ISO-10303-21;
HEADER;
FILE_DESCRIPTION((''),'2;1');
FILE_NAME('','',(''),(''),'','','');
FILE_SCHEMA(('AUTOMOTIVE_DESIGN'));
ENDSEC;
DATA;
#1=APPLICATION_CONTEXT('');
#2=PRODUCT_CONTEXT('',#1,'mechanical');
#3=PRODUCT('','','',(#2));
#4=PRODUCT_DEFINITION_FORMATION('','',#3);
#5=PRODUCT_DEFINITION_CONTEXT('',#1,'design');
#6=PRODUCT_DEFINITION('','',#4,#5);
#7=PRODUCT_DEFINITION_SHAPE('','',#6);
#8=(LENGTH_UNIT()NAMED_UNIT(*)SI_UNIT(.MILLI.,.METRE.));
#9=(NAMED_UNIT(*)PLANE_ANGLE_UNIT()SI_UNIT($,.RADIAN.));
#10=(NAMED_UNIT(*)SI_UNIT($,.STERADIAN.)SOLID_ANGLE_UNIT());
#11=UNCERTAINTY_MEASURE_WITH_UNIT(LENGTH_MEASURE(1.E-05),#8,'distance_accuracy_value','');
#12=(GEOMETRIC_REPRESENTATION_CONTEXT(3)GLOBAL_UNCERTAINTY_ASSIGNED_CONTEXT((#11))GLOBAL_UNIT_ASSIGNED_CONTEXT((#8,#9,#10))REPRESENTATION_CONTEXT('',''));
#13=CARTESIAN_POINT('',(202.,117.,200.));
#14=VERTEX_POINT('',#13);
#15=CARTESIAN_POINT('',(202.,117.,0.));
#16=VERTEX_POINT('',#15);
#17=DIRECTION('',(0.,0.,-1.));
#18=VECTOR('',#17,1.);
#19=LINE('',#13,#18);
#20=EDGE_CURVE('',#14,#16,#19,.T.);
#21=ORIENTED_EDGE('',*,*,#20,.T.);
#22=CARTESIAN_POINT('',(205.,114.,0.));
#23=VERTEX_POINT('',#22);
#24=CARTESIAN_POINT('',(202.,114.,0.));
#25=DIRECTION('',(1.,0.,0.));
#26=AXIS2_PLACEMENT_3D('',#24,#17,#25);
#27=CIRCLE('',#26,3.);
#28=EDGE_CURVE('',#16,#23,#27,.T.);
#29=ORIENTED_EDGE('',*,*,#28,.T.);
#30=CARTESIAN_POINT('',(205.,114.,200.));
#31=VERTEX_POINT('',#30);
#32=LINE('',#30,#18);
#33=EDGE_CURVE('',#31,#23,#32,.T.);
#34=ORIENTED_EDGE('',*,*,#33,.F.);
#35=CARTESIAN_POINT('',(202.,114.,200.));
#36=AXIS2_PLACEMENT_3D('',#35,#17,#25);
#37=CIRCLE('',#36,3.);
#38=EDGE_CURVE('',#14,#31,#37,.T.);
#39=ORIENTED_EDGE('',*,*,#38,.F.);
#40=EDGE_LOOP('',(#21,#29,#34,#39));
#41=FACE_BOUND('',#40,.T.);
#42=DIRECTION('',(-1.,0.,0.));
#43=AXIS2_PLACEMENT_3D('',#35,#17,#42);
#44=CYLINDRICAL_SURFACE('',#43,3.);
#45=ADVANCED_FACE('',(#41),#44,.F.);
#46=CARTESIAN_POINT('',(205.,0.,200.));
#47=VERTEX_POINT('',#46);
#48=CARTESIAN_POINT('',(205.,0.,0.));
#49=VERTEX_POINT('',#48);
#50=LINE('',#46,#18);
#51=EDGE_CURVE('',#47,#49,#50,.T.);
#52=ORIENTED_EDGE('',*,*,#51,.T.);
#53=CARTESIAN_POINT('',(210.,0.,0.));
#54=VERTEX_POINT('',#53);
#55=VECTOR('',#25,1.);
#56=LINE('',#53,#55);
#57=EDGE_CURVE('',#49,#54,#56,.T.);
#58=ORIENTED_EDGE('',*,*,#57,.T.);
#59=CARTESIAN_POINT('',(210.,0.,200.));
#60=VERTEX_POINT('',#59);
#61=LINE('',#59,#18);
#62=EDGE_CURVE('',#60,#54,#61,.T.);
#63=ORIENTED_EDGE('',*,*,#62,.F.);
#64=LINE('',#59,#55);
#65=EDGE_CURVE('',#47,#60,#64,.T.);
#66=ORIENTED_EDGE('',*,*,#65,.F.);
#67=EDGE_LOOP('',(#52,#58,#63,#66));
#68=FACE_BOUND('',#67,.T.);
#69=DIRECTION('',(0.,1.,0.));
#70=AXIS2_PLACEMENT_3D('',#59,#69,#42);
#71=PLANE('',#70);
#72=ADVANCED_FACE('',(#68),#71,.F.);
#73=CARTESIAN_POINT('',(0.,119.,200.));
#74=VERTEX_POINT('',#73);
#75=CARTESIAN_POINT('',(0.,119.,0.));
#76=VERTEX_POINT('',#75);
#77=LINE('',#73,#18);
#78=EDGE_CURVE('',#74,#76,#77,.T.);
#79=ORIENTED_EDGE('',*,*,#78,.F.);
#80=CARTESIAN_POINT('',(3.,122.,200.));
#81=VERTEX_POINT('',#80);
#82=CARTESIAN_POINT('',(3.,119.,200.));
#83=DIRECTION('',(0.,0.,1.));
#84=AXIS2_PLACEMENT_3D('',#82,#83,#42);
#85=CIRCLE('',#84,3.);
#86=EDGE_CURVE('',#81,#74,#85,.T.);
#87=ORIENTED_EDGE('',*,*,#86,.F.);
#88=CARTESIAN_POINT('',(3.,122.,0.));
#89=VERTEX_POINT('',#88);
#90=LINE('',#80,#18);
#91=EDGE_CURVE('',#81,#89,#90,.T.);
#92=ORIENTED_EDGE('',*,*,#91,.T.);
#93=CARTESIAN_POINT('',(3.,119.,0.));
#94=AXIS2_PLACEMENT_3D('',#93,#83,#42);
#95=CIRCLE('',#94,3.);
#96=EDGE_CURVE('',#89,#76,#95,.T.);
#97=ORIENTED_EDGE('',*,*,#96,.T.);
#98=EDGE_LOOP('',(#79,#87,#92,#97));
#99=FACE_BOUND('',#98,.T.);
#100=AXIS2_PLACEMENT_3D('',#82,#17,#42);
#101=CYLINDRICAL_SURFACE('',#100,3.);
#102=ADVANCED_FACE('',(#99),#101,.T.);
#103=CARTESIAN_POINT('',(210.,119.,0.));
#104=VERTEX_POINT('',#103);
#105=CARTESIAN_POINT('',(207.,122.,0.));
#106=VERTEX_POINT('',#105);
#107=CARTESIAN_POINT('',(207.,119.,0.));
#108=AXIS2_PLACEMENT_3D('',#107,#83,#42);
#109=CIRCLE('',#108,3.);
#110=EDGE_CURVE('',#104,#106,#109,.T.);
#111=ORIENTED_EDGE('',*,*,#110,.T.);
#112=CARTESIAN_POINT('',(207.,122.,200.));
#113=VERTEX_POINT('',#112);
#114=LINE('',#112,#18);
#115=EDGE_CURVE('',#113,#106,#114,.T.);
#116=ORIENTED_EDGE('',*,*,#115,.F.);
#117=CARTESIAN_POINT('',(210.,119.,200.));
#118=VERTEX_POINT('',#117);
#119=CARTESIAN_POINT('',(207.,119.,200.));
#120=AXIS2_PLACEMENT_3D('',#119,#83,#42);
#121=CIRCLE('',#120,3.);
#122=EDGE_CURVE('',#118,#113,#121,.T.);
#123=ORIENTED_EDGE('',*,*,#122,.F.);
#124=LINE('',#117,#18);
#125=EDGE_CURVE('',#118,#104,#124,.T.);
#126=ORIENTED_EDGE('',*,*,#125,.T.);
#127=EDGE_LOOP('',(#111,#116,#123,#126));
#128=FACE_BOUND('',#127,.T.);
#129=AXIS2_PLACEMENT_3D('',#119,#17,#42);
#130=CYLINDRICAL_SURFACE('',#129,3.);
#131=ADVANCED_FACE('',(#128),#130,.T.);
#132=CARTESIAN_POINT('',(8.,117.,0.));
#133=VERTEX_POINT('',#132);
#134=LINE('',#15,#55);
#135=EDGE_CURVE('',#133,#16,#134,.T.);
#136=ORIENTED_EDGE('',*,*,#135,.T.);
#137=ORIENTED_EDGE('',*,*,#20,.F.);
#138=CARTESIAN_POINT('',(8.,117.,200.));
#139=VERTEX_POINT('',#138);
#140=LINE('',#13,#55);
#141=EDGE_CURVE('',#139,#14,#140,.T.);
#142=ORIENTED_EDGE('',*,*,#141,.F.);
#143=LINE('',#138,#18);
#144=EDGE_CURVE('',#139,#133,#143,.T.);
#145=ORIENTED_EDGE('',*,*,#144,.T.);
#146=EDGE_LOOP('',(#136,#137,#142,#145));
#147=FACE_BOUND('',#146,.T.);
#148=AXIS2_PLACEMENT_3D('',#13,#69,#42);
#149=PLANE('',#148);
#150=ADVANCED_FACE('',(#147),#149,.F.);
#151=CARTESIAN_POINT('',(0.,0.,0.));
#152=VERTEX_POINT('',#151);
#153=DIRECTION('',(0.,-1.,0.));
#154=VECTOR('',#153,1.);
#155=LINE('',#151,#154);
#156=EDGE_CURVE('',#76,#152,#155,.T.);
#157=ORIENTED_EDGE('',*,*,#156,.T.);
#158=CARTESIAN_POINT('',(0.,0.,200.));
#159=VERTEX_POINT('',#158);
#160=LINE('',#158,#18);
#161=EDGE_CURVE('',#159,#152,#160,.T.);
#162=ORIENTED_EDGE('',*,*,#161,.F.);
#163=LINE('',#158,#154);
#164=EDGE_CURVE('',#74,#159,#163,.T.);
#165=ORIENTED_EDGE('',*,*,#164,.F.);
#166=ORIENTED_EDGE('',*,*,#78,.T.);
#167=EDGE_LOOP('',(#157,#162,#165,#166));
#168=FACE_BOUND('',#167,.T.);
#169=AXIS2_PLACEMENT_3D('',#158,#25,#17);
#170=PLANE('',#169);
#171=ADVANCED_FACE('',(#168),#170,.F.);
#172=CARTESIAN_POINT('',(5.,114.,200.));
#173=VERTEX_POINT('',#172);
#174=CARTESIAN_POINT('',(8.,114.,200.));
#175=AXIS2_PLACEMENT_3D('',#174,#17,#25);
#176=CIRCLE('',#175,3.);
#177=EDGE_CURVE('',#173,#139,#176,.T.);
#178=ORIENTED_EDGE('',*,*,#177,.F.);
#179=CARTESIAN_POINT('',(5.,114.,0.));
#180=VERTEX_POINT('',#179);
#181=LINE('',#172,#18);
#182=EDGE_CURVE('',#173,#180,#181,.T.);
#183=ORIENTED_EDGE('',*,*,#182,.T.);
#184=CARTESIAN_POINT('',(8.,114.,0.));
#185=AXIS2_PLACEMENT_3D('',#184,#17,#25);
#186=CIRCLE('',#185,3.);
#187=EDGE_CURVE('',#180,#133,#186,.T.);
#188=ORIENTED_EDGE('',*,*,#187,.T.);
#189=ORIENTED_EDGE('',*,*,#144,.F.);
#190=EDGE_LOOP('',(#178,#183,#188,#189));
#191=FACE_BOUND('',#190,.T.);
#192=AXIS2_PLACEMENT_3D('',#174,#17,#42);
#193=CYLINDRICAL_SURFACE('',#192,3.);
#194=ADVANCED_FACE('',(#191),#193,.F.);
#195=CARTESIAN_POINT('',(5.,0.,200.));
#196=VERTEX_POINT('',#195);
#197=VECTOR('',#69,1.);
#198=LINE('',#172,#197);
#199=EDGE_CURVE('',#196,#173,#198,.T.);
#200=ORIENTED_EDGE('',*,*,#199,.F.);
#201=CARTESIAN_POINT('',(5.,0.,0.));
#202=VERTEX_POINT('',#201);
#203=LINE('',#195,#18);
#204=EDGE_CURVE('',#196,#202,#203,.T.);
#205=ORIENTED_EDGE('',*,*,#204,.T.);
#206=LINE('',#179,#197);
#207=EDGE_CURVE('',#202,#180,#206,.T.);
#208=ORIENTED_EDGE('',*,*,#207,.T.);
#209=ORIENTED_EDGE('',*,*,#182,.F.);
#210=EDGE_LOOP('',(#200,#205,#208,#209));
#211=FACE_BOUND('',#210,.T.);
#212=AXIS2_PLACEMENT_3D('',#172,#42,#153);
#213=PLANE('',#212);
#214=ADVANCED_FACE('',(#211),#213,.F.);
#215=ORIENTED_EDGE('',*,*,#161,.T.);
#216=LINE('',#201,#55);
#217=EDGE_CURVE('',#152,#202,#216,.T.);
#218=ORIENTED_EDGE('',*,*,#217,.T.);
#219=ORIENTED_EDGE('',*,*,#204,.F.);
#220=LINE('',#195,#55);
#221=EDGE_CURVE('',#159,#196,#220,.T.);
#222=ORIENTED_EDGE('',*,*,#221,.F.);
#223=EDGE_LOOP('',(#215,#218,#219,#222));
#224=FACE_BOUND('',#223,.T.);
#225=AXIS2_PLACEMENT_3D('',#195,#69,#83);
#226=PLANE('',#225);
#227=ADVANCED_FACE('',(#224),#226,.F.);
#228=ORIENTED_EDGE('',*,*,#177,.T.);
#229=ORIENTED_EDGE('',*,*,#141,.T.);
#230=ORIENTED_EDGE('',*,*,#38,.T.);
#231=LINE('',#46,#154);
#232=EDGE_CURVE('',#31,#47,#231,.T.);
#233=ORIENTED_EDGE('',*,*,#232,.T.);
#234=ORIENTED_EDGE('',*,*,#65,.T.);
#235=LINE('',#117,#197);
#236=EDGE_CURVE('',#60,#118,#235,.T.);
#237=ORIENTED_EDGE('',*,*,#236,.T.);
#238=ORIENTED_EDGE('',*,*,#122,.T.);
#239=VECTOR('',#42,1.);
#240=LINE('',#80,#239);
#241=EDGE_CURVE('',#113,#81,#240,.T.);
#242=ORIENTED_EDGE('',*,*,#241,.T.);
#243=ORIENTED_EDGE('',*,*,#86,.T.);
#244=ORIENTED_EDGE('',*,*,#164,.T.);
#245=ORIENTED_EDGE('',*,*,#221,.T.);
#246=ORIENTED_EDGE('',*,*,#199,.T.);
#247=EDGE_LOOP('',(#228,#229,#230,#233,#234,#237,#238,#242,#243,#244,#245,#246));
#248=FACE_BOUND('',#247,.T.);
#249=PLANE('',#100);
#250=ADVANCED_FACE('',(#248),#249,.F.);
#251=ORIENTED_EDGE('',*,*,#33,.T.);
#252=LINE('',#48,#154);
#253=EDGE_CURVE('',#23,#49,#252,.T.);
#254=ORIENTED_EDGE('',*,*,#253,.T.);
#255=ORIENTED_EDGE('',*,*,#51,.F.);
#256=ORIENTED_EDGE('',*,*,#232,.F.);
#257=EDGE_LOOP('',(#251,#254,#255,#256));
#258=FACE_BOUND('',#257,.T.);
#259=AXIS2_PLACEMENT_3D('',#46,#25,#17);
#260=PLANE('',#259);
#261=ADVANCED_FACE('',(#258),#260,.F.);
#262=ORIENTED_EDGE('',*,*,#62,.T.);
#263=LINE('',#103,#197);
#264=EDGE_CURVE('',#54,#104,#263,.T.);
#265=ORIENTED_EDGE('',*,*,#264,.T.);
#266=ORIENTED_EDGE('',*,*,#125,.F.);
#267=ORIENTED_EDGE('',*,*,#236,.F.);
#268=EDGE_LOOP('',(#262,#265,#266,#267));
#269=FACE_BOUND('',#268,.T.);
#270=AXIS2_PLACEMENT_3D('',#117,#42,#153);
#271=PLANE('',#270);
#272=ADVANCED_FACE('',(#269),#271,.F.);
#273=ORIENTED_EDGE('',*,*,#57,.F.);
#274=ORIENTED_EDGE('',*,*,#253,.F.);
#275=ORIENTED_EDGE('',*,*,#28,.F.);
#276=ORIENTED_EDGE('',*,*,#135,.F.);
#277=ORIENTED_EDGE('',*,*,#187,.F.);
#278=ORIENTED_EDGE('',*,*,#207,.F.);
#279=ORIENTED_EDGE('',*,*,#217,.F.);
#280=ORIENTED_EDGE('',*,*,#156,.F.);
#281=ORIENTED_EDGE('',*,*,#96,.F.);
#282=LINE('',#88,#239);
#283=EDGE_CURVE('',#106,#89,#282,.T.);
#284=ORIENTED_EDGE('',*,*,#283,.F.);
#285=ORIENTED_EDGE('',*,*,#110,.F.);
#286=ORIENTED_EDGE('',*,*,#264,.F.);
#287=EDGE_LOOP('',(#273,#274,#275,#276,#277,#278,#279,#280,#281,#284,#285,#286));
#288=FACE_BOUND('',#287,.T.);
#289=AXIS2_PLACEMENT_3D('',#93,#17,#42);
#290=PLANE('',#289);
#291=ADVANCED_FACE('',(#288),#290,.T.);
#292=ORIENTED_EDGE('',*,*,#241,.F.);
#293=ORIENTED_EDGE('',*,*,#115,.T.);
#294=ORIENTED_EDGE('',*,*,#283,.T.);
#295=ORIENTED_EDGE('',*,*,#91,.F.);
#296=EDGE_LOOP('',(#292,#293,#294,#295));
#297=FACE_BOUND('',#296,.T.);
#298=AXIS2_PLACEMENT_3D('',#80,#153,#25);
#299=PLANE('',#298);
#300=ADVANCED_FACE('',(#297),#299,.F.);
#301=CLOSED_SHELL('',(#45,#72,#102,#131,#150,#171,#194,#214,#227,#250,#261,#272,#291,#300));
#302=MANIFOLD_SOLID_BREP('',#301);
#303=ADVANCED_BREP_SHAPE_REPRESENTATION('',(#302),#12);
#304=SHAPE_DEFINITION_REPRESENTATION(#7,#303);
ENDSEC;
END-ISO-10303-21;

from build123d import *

# Parameters (mm, degrees)
BOSS_EXTRUDE1_DEPTH = 200


with BuildPart() as part:
    # Sketch1 → Boss-Extrude1 (new body)
    with BuildSketch(Plane.XY):
        with BuildLine():
            Line((0, 0), (0, 119))
            ThreePointArc((0, 119), (0.878679656, 121.121320344), (3, 122))
            Line((3, 122), (207, 122))
            ThreePointArc((207, 122), (209.121320344, 121.121320344), (210, 119))
            Line((210, 119), (210, 0))
            Line((210, 0), (205, 0))
            Line((205, 0), (205, 114))
            ThreePointArc((205, 114), (204.121320344, 116.121320344), (202, 117))
            Line((202, 117), (8, 117))
            ThreePointArc((8, 117), (5.878679656, 116.121320344), (5, 114))
            Line((5, 114), (5, 0))
            Line((5, 0), (0, 0))
        make_face()
    extrude(amount=BOSS_EXTRUDE1_DEPTH)


solid = part.part
